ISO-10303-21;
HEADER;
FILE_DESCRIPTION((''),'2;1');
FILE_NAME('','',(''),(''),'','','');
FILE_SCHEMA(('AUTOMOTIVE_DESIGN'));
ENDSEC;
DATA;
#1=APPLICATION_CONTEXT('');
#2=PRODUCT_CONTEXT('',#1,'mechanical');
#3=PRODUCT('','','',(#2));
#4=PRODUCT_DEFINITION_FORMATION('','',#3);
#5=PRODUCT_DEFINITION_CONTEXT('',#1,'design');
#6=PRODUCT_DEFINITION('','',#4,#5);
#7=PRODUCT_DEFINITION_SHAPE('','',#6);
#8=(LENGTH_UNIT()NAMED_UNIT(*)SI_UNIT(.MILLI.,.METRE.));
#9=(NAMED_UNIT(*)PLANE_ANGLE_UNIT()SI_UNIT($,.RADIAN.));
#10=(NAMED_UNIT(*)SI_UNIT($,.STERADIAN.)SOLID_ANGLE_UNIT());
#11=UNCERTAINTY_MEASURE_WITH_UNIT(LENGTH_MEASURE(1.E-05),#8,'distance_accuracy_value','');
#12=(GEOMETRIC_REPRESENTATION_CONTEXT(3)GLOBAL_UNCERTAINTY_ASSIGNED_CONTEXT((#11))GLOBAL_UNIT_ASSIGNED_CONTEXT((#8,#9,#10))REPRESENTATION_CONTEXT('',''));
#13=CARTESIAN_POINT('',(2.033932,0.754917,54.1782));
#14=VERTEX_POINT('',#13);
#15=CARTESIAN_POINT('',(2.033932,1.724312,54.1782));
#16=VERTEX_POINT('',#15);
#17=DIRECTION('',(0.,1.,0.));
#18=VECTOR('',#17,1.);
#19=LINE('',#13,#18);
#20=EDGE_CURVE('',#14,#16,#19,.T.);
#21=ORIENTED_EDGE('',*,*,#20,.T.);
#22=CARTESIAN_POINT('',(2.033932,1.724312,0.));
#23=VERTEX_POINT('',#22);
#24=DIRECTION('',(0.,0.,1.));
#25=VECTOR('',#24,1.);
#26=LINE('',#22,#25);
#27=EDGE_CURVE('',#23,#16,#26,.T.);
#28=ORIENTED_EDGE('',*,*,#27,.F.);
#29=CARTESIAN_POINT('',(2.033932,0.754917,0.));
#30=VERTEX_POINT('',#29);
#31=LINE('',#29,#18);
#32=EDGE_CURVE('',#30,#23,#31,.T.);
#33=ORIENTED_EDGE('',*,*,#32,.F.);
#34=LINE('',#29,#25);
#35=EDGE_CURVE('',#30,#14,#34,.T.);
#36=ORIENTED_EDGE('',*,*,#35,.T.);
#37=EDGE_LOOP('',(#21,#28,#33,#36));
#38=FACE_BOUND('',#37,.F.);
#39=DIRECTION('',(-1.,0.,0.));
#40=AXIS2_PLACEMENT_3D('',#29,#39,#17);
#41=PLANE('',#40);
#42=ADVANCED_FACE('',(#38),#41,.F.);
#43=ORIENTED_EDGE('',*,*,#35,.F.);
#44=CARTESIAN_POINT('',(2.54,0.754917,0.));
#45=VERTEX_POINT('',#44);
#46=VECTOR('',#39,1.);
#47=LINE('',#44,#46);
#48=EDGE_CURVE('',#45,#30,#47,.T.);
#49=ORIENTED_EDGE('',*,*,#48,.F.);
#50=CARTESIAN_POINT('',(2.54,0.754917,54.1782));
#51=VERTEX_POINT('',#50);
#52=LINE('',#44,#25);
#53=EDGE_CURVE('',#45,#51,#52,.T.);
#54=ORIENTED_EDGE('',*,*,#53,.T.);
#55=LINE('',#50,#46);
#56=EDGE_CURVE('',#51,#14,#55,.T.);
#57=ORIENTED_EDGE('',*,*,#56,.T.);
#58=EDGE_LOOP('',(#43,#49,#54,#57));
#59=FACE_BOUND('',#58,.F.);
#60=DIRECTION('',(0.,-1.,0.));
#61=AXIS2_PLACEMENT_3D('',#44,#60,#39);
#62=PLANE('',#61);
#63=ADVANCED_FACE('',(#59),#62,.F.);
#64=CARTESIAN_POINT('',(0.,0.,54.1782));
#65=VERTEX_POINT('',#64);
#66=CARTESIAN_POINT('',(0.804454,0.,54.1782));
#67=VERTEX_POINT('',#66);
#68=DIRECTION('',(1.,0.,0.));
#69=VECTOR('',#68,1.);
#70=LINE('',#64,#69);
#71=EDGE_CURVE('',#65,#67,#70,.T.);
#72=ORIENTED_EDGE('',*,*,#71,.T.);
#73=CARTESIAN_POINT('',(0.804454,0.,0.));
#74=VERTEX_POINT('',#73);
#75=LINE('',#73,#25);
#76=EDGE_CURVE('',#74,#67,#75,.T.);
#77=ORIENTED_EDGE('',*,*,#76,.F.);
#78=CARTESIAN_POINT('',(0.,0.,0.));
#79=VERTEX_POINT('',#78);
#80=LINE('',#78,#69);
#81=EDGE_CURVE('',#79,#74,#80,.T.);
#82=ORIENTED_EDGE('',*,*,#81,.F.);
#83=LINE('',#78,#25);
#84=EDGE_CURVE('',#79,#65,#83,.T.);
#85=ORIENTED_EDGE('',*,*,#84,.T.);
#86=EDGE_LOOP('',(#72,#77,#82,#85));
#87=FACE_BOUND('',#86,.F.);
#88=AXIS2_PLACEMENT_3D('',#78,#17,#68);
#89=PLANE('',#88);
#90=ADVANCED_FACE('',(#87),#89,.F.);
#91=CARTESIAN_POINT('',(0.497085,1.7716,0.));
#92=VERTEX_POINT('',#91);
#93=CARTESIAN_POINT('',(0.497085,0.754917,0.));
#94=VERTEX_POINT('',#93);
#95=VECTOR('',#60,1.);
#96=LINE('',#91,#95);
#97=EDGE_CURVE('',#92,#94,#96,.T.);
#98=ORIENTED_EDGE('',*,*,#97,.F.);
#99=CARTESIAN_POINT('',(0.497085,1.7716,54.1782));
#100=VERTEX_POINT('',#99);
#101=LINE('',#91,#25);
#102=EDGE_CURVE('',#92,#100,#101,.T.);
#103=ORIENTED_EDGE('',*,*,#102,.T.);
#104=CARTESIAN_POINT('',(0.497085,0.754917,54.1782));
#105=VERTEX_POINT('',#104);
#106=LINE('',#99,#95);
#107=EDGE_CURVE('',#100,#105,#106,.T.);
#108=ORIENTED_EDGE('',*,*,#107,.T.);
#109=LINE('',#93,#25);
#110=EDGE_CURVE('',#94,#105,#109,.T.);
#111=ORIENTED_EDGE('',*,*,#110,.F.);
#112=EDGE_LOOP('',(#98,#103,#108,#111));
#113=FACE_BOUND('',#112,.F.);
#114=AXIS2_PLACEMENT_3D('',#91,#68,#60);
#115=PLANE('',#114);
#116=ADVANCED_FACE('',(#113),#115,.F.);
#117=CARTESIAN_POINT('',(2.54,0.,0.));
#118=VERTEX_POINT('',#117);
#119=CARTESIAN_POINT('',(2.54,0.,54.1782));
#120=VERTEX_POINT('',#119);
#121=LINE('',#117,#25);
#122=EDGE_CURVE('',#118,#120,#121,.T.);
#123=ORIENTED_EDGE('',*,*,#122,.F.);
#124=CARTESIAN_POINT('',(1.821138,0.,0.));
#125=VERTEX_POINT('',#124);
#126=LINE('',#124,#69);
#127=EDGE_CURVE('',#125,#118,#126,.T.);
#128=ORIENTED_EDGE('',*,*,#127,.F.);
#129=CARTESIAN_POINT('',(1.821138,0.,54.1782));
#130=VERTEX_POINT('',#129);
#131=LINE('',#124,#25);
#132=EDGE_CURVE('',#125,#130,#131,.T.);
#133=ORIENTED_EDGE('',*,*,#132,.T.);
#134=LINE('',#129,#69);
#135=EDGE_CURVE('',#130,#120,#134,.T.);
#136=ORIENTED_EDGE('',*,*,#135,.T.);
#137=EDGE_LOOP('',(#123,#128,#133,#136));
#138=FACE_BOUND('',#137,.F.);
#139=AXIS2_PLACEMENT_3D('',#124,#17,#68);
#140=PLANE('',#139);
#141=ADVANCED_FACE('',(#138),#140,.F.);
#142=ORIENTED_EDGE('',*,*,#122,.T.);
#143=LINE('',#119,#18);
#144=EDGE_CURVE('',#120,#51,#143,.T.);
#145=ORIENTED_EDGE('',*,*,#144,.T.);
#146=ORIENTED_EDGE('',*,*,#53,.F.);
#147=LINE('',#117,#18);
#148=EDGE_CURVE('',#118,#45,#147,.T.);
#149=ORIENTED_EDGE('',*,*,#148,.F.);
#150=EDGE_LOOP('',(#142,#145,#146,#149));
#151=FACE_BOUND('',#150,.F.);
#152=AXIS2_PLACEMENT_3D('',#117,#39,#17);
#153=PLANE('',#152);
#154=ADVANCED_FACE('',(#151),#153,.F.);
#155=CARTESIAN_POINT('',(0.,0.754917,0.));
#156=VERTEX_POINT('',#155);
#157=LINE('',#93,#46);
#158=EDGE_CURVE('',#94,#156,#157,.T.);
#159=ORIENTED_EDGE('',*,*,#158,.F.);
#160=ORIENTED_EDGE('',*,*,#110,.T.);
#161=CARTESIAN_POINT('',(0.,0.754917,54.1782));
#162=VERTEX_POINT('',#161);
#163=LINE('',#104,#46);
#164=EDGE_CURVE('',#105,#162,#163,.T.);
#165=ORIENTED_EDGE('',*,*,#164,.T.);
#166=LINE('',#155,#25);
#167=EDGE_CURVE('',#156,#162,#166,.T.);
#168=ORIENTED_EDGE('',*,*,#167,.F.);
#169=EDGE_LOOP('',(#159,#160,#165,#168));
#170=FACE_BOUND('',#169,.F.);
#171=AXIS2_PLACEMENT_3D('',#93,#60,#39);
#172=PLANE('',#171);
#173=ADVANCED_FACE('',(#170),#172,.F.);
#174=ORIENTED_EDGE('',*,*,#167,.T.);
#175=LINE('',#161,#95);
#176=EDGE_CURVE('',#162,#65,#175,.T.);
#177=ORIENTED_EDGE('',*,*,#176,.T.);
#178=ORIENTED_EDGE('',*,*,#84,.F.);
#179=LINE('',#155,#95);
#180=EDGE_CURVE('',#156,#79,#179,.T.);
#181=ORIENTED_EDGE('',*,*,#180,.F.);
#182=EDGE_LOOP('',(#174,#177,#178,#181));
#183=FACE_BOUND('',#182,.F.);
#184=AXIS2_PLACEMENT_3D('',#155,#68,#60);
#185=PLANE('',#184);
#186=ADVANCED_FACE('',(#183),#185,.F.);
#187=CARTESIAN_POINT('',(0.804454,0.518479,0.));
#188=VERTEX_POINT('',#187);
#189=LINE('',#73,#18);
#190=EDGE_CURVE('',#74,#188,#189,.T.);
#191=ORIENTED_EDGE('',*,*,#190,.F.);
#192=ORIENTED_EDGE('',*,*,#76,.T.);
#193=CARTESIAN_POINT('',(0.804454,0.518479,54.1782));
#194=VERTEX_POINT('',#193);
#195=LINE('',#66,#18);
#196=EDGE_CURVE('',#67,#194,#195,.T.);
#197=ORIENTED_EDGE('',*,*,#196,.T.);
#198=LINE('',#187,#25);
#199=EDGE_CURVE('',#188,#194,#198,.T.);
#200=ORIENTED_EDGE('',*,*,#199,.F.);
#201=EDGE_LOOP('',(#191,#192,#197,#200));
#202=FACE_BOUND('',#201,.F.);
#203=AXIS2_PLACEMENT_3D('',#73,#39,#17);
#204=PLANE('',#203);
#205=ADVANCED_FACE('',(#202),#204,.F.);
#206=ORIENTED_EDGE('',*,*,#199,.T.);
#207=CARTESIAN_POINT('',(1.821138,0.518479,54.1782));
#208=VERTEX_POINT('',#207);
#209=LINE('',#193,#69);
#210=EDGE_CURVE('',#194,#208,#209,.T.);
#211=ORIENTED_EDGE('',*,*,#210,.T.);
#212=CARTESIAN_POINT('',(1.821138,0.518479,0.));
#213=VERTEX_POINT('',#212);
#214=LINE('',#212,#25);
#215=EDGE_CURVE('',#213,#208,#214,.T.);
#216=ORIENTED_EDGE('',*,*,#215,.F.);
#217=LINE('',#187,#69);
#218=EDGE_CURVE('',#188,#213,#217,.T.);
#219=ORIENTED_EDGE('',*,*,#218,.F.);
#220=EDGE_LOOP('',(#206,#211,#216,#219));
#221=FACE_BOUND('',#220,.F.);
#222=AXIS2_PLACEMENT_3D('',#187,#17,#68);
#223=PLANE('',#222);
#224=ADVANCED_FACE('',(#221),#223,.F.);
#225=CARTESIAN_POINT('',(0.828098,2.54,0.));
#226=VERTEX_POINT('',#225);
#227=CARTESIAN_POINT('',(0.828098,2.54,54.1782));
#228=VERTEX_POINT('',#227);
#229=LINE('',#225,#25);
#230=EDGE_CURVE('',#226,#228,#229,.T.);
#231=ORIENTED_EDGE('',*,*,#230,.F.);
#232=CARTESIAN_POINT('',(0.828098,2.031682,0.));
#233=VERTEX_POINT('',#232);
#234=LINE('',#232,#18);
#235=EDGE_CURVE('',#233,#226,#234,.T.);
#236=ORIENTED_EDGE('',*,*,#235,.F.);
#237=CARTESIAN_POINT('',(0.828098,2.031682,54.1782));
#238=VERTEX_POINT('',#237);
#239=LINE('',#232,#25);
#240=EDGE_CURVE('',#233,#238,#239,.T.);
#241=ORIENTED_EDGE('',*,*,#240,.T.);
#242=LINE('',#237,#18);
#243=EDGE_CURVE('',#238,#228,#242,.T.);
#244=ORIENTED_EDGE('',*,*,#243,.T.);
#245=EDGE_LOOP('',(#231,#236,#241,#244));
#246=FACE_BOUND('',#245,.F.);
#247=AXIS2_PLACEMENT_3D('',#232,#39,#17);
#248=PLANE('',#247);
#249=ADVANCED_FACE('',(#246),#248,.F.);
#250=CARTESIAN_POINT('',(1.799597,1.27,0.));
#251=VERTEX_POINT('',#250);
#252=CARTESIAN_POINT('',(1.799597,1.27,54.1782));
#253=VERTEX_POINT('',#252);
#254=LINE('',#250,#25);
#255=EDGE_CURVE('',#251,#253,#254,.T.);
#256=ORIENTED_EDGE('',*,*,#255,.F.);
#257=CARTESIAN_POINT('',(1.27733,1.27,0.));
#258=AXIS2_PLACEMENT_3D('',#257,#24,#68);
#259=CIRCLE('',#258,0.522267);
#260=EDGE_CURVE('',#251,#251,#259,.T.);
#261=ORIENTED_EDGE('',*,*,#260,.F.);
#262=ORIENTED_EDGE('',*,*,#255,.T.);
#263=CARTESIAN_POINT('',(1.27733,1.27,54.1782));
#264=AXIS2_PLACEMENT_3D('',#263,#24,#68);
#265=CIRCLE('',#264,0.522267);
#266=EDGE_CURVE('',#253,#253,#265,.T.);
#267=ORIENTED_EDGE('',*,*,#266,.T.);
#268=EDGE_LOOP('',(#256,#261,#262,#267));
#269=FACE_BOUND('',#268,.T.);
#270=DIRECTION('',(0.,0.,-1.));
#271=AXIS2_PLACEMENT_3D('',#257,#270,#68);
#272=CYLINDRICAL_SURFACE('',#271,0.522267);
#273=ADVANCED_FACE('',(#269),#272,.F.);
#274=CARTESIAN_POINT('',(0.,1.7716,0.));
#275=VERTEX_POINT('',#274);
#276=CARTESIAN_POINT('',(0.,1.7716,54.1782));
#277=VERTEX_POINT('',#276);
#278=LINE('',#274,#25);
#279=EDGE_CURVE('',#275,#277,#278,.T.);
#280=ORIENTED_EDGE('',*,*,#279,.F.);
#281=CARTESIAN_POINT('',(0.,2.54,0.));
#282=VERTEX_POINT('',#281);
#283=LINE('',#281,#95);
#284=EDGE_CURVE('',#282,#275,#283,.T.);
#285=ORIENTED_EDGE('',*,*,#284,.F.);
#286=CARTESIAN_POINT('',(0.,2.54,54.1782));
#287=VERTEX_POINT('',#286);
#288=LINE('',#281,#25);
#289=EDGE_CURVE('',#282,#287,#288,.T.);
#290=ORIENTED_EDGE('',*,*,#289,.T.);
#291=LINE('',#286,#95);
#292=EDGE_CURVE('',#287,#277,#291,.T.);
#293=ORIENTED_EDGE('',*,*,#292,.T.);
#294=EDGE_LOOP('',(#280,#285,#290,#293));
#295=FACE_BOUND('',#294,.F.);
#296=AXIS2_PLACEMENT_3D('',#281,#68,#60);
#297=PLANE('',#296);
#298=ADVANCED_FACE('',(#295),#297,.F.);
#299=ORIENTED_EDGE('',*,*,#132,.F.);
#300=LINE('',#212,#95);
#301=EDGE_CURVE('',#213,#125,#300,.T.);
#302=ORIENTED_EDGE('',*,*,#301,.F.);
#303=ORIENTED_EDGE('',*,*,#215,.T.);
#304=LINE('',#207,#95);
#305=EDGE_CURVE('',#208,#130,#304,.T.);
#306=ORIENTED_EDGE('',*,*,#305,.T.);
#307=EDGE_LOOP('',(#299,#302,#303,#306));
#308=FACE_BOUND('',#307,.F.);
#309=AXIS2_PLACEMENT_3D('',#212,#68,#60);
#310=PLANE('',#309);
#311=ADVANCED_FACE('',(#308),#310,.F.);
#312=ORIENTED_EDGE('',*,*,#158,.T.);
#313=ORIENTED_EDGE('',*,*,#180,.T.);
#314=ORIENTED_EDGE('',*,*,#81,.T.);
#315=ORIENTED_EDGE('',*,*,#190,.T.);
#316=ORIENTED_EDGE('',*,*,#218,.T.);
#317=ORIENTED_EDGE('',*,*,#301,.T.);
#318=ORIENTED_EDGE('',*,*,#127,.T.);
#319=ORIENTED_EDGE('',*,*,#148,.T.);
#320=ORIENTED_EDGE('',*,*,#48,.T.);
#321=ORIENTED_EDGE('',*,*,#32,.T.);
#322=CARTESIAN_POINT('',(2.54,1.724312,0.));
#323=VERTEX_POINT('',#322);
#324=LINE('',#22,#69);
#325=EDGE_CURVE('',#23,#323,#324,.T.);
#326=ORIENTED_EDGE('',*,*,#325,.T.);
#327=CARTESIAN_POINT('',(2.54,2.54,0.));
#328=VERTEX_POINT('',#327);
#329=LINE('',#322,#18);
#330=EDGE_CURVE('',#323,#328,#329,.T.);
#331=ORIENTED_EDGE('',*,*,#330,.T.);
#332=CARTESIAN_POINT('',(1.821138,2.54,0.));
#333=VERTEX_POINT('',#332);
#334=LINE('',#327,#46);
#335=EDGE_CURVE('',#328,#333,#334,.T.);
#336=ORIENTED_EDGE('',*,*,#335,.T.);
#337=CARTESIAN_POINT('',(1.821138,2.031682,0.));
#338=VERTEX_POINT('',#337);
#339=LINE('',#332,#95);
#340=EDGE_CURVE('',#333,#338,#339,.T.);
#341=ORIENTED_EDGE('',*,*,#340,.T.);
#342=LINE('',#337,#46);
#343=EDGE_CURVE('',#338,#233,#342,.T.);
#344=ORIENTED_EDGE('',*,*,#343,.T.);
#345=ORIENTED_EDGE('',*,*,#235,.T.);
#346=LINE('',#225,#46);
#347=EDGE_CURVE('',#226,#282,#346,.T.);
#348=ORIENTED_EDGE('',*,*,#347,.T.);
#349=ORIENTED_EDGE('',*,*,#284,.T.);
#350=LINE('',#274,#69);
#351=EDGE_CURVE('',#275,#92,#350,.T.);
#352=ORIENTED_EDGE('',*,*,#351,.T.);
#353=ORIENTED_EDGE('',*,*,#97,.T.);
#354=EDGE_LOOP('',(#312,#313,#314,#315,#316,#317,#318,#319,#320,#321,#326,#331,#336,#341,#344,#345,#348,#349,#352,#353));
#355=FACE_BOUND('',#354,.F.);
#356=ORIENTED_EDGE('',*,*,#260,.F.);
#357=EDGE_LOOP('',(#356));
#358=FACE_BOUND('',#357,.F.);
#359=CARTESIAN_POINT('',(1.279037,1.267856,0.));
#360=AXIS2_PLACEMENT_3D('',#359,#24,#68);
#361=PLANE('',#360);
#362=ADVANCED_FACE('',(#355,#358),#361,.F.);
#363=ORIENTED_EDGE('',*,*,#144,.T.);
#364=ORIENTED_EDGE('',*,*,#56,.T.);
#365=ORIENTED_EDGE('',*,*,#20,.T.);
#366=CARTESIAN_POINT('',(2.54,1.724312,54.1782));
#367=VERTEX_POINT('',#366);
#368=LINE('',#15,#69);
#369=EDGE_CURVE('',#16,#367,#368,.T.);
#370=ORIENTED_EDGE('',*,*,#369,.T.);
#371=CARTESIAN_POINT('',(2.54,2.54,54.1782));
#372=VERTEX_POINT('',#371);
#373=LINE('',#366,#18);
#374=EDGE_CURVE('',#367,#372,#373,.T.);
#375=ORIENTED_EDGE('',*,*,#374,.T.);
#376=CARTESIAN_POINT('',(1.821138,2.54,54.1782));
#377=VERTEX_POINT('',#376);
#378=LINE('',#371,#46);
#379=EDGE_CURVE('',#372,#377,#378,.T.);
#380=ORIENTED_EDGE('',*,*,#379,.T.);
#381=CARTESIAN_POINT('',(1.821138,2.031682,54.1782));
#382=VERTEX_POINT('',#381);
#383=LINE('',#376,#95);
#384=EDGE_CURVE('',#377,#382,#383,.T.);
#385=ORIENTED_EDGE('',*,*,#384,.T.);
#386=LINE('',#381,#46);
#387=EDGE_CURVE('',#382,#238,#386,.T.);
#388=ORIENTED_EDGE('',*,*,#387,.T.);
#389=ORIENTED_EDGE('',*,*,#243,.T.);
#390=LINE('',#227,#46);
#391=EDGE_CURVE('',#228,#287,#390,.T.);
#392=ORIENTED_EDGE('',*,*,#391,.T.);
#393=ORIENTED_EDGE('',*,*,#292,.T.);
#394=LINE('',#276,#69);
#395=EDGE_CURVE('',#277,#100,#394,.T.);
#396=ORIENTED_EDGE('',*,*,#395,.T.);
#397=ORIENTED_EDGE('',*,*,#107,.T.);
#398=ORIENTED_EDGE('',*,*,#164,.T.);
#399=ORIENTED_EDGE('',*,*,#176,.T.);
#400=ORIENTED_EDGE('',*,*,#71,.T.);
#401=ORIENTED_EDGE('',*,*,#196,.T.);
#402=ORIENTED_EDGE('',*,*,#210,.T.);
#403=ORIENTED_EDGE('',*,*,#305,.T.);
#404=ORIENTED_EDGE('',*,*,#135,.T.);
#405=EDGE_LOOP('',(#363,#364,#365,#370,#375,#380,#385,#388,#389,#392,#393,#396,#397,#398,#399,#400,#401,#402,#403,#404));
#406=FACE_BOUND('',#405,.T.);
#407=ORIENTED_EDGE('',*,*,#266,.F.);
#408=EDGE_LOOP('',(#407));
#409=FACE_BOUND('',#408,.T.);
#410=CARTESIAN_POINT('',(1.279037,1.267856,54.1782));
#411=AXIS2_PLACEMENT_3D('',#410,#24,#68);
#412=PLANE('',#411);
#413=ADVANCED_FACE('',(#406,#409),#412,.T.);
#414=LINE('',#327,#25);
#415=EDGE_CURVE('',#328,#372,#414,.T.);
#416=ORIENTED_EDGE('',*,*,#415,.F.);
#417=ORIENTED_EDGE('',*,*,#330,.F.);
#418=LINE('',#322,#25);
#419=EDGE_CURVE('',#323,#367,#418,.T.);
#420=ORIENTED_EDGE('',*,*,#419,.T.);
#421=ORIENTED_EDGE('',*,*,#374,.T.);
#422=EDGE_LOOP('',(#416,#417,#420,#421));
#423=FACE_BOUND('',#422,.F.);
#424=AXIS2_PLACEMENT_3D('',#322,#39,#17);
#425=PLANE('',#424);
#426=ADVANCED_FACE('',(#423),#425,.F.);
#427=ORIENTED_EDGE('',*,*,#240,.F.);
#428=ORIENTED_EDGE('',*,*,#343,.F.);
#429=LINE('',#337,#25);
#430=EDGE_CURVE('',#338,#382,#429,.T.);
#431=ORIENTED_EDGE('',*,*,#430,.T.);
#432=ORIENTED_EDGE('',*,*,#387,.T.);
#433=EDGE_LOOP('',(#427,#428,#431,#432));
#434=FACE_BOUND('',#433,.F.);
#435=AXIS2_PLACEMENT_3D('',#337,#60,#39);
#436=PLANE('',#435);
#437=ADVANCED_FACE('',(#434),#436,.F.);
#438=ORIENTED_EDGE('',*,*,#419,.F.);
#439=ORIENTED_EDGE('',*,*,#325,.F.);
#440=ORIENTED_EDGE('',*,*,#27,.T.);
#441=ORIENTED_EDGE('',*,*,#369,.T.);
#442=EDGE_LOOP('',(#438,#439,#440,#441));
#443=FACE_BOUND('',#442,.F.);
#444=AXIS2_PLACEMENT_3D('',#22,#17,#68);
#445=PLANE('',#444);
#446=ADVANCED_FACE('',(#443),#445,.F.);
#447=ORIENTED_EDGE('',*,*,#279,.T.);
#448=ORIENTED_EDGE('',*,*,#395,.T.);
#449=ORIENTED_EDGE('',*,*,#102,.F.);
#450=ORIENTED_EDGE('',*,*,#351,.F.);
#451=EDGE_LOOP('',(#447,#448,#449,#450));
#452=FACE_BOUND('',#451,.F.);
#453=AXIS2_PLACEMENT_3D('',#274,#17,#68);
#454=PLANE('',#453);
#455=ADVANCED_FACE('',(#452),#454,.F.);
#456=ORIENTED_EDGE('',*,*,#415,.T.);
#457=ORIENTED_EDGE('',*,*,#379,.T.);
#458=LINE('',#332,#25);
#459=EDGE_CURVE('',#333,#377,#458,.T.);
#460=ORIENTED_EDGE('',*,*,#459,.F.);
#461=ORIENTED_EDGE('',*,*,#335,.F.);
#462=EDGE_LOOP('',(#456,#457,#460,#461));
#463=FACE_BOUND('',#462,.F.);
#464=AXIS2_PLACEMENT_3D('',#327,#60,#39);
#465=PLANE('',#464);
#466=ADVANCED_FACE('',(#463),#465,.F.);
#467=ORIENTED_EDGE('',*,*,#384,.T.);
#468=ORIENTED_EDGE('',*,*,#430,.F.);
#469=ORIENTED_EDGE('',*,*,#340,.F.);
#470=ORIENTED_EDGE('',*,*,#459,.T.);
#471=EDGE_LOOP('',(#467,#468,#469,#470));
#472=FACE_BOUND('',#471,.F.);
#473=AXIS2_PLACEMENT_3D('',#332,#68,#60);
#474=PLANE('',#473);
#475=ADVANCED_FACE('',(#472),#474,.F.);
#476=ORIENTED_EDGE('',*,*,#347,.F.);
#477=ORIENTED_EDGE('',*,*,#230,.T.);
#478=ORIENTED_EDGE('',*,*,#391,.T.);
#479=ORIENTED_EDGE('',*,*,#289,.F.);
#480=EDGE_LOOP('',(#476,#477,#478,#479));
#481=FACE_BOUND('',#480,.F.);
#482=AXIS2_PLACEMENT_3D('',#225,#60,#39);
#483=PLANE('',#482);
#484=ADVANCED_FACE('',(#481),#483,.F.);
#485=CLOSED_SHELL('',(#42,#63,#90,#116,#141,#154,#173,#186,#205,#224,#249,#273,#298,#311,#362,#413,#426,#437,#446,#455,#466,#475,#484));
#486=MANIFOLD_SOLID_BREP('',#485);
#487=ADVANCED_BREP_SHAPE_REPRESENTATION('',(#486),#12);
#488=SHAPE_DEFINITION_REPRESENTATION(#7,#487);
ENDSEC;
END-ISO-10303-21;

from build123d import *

# Parameters (mm, degrees)
F0_R     = 0.522267
F1_DEPTH = 54.1782


with BuildPart() as f1:
    # F0 (on Top) → F1 (new body)
    with BuildSketch(Plane.XY):
        Polygon((0, 0.754917), (0, 0), (0.804454, 0), (0.804454, 0.518479), (1.821138, 0.518479), (1.821138, 0), (2.54, 0), (2.54, 0.754917), (2.033932, 0.754917), (2.033932, 1.724312), (2.54, 1.724312), (2.54, 2.54), (1.821138, 2.54), (1.821138, 2.031682), (0.828098, 2.031682), (0.828098, 2.54), (0, 2.54), (0, 1.7716), (0.497085, 1.7716), (0.497085, 0.754917), align=None)
        with Locations((1.27733, 1.27)):
            Circle(F0_R, mode=Mode.SUBTRACT)
    extrude(amount=F1_DEPTH)


solid = f1.part
